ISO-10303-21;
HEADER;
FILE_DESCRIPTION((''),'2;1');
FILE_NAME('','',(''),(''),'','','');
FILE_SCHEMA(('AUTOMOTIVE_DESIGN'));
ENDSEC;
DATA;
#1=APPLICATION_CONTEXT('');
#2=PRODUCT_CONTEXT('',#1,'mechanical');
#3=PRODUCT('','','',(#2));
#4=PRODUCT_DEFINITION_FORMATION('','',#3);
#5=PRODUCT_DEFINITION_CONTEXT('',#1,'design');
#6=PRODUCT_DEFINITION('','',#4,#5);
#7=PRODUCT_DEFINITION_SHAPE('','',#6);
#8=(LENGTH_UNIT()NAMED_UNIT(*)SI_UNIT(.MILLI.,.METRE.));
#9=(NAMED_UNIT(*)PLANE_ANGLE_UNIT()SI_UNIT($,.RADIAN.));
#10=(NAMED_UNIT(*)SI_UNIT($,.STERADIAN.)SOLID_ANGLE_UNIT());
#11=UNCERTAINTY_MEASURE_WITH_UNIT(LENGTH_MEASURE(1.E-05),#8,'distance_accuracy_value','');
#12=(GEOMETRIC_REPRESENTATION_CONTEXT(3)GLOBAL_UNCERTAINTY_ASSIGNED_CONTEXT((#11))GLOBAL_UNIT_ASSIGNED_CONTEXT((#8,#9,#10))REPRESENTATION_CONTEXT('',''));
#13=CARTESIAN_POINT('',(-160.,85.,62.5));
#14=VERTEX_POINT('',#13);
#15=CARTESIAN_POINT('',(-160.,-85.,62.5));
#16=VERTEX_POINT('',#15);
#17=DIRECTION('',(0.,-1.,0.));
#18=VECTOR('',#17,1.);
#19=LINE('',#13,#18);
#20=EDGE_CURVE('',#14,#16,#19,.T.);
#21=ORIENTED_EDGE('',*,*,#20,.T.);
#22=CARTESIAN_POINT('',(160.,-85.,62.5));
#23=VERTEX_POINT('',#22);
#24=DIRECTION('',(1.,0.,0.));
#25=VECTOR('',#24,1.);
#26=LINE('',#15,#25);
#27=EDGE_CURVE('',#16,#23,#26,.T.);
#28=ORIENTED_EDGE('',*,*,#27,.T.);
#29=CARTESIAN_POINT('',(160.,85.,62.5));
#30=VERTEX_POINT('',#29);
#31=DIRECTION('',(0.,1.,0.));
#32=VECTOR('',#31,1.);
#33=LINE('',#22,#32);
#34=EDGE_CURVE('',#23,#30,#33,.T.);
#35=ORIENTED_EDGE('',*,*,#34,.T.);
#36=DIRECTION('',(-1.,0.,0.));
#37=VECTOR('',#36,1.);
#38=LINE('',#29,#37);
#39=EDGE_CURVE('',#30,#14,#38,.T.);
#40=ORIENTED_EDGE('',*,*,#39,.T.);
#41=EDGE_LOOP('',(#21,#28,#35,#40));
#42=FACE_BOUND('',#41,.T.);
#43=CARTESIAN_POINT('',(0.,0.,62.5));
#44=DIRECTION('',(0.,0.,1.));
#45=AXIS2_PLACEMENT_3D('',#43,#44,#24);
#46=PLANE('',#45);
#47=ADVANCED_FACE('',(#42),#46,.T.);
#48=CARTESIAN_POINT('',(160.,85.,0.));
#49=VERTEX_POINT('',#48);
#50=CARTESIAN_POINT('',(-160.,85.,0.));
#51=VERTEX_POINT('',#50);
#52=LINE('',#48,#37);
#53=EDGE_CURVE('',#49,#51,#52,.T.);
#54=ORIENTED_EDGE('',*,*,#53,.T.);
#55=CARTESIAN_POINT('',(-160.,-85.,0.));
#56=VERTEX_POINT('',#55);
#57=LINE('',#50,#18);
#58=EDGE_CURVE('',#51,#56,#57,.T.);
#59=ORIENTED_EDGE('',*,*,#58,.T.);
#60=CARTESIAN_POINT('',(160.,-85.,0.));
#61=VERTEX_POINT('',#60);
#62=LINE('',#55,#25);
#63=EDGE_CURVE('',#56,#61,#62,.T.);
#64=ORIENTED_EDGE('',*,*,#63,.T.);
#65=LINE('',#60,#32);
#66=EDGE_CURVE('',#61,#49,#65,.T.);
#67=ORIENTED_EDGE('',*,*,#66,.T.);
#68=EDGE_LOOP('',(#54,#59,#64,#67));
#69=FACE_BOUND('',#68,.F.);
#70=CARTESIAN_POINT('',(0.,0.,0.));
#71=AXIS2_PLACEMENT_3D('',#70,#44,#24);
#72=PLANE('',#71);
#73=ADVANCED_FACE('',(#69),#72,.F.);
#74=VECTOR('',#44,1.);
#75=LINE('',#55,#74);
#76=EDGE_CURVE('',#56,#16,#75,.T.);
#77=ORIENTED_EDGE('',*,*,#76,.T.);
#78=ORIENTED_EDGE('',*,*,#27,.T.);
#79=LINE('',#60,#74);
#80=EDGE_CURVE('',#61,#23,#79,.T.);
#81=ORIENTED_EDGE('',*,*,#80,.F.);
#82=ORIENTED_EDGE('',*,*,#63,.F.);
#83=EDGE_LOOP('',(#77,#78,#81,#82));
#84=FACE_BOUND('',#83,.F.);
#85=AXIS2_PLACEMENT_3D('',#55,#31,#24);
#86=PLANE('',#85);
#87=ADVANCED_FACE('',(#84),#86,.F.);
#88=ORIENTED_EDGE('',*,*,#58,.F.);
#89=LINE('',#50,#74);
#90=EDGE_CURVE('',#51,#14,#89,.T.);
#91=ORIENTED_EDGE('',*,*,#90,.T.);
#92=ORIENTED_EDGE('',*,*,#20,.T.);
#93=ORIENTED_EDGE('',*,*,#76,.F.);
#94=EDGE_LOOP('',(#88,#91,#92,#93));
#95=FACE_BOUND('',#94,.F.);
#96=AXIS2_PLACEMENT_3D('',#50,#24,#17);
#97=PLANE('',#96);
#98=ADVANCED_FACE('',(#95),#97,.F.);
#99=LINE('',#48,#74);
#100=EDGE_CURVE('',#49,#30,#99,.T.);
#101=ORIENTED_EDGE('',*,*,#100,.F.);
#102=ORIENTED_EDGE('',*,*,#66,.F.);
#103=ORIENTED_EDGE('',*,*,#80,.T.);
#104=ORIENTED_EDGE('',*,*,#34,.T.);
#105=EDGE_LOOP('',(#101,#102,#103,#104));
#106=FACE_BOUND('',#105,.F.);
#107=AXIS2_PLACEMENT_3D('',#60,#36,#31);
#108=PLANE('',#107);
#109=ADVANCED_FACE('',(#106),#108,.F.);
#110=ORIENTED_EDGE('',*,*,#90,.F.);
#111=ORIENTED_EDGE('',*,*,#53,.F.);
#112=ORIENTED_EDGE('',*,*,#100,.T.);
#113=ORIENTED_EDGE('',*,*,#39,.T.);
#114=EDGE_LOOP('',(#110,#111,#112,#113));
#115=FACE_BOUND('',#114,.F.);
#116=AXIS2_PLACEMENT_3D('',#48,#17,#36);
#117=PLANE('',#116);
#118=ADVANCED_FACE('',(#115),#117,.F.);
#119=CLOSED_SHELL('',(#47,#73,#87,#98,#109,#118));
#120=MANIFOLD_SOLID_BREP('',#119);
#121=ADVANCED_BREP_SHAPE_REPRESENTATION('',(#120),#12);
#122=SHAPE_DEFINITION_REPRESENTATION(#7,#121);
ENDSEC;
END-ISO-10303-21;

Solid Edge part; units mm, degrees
sketch "Sketch1" plane through (0, 0, 0) normal (0, 0, 1) x (1, 0, 0)
  line L0 (-160, -85) -> (160, -85)
  line L1 (160, -85) -> (160, 85)
  line L2 (160, 85) -> (-160, 85)
  line L3 (-160, 85) -> (-160, -85)
  dimension "D1" = 320
  dimension "D2" = 170
extrude "Protrusion1" add sketch "Sketch1" along normal blind 62.5
